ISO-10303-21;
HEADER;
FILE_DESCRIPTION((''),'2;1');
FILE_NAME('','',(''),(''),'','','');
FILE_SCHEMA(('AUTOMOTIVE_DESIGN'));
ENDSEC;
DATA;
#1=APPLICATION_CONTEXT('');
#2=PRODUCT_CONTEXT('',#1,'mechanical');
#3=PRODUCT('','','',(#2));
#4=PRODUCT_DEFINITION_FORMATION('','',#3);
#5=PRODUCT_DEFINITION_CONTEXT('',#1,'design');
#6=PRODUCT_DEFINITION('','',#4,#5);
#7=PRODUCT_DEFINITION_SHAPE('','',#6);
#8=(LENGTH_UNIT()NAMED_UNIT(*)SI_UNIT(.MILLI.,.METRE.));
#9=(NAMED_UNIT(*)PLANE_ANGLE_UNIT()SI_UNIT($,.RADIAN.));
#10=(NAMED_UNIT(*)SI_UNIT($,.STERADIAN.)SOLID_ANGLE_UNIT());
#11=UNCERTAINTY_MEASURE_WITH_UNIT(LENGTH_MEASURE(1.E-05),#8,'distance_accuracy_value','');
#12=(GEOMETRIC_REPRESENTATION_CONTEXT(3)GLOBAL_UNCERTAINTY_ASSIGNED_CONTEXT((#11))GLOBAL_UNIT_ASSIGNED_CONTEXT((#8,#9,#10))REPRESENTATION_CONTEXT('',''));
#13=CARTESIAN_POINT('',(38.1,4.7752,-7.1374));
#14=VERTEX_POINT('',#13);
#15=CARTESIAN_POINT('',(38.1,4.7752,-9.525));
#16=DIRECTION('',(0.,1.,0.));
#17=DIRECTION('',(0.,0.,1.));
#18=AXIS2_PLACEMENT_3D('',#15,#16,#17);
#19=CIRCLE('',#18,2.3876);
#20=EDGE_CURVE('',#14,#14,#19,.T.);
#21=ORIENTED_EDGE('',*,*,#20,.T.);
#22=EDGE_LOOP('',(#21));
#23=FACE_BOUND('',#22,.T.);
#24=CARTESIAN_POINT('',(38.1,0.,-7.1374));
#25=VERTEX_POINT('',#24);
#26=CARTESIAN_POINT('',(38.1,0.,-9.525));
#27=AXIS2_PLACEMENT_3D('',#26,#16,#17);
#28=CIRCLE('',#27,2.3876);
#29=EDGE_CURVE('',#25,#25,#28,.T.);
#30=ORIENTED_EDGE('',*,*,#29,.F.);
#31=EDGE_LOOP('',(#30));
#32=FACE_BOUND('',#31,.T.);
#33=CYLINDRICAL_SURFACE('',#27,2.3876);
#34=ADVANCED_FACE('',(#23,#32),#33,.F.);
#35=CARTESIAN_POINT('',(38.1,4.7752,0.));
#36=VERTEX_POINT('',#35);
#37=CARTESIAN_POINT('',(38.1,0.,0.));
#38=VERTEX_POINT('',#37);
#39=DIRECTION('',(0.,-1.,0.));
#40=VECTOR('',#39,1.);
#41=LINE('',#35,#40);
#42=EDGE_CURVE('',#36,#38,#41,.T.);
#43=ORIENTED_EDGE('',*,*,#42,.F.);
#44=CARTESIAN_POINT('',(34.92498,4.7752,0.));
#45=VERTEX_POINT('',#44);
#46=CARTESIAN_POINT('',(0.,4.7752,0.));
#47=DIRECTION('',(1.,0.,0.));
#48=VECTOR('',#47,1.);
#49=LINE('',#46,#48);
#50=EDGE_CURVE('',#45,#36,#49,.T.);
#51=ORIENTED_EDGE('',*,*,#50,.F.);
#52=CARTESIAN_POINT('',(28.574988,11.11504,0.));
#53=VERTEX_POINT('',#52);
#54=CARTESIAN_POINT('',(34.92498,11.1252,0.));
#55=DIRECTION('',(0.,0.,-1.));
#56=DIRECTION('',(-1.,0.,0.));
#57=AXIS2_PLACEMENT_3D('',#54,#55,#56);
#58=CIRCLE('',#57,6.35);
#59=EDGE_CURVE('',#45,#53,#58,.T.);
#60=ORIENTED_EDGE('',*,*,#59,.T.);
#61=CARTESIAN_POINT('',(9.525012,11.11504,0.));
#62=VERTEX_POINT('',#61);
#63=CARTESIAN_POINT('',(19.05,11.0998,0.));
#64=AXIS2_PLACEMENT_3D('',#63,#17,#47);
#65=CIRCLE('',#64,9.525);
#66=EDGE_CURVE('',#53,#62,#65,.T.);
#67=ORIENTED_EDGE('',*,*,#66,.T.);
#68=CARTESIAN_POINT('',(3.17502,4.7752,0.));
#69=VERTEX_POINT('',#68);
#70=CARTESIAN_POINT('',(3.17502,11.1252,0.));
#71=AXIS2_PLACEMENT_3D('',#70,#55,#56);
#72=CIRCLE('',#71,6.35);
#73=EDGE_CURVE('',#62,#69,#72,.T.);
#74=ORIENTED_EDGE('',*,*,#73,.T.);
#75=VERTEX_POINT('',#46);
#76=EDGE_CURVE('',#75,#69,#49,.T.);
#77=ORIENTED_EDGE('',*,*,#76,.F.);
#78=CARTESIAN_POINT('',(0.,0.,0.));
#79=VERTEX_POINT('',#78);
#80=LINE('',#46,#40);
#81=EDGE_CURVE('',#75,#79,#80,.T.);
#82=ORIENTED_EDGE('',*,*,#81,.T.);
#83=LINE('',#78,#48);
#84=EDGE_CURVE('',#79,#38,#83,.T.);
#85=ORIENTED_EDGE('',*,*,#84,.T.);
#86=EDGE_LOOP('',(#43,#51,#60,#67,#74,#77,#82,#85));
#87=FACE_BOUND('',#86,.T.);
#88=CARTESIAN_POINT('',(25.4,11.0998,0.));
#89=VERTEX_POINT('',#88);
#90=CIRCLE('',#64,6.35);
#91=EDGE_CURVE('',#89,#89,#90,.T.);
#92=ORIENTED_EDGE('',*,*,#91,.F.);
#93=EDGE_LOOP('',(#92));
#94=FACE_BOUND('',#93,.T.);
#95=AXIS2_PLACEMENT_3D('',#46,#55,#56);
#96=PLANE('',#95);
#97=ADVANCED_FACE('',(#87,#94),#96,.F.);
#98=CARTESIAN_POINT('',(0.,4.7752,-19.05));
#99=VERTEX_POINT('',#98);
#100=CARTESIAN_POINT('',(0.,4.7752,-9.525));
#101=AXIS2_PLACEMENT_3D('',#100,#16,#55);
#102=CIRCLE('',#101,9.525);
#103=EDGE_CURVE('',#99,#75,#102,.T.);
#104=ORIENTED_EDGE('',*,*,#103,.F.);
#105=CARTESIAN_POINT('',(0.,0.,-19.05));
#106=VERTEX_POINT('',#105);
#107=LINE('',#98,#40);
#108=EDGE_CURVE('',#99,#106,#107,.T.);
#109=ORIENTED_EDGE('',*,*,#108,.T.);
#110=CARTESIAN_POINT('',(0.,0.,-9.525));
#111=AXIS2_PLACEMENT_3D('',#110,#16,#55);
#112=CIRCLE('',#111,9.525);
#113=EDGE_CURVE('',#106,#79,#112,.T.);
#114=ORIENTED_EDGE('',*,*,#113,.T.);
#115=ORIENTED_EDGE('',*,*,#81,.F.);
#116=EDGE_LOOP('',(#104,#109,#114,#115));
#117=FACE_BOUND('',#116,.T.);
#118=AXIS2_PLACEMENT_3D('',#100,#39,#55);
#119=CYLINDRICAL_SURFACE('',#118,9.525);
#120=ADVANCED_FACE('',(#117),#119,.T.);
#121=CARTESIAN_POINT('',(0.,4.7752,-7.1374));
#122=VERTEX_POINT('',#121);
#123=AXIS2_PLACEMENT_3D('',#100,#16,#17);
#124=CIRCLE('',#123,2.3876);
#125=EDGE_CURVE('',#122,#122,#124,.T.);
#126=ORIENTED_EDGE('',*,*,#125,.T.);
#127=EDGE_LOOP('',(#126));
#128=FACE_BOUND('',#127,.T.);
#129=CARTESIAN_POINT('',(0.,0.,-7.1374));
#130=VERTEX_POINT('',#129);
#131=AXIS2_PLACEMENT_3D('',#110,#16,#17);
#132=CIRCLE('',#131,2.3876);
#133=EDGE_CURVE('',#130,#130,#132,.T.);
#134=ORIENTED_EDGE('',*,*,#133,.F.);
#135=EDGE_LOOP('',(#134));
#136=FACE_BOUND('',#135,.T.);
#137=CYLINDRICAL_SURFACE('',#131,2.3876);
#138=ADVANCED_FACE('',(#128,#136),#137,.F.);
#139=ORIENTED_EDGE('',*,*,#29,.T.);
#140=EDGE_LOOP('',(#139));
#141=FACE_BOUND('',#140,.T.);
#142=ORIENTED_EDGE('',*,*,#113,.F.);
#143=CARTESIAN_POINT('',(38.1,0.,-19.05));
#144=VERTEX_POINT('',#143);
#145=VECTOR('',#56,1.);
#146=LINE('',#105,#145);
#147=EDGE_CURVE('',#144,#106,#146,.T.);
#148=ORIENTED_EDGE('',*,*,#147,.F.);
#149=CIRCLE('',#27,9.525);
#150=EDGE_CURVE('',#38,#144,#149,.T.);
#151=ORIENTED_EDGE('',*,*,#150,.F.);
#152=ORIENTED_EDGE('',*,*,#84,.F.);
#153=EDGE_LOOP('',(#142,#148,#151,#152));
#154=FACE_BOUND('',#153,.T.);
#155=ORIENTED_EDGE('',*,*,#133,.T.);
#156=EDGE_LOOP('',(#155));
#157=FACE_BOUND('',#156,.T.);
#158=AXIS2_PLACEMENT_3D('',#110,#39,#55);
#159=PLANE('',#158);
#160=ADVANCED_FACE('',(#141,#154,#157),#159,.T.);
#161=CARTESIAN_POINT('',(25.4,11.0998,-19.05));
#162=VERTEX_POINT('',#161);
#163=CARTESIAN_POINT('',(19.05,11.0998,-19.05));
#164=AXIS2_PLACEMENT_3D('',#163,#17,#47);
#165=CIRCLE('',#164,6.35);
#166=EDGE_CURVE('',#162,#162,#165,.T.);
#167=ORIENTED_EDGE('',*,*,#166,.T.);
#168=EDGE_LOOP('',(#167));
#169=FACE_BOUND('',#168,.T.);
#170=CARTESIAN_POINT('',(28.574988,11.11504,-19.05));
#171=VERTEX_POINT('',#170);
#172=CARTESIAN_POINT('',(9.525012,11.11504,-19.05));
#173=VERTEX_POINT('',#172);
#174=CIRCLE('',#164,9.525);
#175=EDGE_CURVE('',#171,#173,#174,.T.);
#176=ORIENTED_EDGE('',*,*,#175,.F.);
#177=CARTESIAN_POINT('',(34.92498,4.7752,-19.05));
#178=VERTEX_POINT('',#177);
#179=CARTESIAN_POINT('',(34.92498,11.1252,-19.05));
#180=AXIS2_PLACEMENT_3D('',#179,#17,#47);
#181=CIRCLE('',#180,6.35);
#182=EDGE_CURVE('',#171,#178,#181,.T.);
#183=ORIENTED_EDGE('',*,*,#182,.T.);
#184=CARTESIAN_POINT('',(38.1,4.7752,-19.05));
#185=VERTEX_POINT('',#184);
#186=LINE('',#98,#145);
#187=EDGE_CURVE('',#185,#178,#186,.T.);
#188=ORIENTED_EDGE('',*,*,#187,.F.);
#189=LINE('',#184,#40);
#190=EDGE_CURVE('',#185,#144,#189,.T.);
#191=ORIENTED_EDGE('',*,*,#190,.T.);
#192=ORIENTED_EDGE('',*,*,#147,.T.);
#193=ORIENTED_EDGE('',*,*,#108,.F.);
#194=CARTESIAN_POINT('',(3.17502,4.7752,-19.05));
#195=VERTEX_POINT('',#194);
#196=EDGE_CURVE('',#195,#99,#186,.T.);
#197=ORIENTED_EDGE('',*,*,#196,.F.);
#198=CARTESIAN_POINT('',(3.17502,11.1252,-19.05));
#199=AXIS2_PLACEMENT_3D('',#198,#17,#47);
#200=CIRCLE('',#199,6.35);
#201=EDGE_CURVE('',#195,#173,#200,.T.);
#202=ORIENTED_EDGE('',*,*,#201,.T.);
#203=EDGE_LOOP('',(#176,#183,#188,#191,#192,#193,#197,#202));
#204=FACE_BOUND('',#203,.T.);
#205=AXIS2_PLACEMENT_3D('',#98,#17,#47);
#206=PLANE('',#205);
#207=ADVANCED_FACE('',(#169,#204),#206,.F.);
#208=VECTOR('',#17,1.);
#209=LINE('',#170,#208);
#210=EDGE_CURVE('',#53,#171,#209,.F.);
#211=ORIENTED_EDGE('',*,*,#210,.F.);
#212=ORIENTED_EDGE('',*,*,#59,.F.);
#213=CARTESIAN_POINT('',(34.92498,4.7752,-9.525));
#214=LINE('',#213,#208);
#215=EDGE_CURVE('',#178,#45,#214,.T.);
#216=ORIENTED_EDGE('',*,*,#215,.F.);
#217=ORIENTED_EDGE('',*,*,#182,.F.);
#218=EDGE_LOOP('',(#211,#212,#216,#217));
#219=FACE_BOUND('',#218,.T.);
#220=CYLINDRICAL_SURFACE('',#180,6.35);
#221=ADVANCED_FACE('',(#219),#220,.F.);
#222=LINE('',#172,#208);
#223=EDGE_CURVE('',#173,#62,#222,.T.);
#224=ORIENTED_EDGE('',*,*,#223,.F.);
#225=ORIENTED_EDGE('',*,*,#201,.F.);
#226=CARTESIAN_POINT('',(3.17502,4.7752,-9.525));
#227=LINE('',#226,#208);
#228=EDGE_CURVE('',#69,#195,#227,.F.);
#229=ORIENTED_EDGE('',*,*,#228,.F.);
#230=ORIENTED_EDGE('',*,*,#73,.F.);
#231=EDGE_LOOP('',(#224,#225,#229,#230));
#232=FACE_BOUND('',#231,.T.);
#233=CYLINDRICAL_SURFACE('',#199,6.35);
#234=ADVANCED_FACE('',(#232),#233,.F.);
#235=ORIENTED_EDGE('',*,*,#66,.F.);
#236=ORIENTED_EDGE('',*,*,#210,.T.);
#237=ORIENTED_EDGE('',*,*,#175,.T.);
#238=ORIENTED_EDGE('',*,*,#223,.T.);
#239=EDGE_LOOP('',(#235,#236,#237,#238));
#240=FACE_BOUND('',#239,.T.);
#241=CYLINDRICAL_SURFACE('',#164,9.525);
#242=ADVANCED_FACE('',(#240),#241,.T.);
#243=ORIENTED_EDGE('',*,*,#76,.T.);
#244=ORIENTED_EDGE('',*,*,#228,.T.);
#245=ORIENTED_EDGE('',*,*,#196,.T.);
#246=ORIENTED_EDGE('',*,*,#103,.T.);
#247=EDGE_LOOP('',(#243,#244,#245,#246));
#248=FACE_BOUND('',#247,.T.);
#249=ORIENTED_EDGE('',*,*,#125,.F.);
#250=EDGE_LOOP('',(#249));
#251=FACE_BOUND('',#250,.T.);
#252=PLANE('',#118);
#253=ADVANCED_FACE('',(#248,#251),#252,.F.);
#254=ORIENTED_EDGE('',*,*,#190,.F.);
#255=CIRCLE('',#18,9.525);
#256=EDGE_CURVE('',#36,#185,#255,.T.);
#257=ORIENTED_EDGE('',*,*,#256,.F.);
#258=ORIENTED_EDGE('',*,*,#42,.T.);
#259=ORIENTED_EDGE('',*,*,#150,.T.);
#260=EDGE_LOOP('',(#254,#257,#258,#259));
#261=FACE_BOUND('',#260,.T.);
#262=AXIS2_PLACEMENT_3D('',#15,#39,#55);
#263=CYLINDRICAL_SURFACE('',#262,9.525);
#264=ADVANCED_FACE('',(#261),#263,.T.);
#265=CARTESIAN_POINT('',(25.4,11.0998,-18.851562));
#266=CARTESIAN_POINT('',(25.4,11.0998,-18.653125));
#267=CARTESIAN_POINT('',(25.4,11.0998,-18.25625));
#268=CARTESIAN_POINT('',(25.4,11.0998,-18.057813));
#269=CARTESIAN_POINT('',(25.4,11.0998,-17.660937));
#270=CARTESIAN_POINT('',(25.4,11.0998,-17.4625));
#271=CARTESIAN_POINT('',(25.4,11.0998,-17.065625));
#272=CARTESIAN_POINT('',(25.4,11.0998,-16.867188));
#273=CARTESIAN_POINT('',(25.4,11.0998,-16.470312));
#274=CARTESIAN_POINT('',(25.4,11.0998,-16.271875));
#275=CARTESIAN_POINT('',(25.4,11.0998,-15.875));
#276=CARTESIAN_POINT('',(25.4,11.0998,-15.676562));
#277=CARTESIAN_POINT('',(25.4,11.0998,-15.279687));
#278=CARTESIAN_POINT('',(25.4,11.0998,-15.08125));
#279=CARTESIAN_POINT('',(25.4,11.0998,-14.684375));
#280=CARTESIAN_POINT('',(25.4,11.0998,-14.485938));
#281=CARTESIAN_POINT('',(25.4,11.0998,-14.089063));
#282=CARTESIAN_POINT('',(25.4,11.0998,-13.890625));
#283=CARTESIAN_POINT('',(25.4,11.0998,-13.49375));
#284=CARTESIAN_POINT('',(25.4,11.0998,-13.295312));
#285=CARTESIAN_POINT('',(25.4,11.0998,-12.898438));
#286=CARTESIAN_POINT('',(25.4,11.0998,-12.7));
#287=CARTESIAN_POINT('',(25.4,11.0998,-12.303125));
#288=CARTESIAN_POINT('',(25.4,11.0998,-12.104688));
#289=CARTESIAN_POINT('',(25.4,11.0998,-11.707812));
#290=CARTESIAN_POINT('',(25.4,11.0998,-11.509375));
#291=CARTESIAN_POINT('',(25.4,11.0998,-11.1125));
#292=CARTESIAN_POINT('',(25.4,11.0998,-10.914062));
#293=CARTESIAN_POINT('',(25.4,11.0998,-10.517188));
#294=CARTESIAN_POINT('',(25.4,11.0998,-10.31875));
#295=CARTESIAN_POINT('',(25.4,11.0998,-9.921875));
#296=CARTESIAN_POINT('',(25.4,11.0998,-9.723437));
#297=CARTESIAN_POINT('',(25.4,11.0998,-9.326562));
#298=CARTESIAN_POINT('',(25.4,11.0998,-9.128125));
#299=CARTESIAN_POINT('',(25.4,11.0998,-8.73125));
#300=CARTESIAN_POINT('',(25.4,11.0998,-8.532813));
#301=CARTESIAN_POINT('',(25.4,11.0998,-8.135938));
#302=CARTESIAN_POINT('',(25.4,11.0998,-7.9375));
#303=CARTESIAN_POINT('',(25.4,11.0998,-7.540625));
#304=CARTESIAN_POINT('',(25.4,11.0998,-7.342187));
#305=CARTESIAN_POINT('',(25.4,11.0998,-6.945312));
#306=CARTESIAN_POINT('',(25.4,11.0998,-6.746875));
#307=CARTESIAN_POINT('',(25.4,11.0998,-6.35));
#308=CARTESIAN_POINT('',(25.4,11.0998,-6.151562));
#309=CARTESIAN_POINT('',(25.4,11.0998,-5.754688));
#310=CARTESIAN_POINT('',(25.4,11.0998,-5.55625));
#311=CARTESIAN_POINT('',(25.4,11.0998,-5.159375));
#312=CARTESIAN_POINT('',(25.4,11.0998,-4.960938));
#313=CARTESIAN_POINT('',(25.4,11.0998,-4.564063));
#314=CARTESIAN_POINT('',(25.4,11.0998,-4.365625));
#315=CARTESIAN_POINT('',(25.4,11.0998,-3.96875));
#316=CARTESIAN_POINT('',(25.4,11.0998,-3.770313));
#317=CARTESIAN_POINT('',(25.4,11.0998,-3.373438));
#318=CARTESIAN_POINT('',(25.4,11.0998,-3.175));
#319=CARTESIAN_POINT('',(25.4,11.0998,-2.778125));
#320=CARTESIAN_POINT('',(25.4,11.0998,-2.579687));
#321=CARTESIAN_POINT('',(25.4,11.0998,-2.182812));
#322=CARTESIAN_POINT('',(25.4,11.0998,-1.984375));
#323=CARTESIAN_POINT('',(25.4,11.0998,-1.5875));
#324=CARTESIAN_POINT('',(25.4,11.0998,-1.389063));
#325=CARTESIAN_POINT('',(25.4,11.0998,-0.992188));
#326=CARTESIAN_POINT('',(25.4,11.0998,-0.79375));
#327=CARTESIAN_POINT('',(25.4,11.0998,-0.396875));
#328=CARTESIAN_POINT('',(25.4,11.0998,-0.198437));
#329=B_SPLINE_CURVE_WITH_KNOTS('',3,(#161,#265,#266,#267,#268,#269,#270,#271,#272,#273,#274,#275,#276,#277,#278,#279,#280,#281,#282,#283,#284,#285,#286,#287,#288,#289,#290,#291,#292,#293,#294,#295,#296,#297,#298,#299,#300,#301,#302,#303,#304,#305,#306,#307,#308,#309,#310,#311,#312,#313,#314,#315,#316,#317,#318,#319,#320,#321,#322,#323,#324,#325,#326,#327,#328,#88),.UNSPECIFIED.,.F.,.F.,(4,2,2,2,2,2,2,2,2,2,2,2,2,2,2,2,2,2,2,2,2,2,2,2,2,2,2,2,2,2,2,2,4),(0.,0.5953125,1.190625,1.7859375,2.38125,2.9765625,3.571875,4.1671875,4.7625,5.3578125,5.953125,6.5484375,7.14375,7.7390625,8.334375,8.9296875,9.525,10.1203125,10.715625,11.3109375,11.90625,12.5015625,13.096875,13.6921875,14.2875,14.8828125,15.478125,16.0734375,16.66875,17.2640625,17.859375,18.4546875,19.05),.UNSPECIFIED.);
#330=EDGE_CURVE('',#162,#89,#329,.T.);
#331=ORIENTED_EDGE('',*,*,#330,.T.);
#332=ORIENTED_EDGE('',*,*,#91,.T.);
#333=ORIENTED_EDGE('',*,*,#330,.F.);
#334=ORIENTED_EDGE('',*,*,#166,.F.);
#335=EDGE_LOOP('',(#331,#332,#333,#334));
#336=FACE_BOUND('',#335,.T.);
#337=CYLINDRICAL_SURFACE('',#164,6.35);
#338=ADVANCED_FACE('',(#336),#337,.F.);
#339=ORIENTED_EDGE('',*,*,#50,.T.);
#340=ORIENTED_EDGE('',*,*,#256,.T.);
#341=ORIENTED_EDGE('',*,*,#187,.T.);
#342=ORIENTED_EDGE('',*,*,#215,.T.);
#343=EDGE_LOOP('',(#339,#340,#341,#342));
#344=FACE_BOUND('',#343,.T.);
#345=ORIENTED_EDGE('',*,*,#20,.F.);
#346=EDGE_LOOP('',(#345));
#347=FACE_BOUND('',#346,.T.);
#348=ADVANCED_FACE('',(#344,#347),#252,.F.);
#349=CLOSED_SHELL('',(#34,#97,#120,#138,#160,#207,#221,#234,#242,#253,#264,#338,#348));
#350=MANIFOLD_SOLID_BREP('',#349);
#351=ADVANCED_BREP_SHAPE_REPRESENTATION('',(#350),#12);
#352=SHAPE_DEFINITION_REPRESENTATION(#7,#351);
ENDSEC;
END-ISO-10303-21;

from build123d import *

# Parameters (mm, degrees)
BOSS_EXTRUDE1_DEPTH = 4.7752
SKETCH3_R           = 2.3876
CUT_EXTRUDE1_DEPTH  = 52.515489516
SKETCH4_W           = 19.05
SKETCH4_H           = 19.05
BOSS_EXTRUDE2_DEPTH = 15.8496
SKETCH5_R           = 6.35
CUT_EXTRUDE3_DEPTH  = 56.284948223
FILLET1_R           = 6.35
FILLET2_R           = 6.35


with BuildPart() as part:
    # Sketch1 → Boss-Extrude1 (new body)
    with BuildSketch(Plane(origin=(0, 0, 0), x_dir=(1, 0, 0), z_dir=(0, 1, 0))):
        with BuildLine():
            Line((0, 19.05), (38.1, 19.05))
            ThreePointArc((38.1, 19.05), (47.625, 9.525), (38.1, 0))
            Line((38.1, 0), (0, 0))
            ThreePointArc((0, 0), (-9.525, 9.525), (0, 19.05))
        make_face()
    extrude(amount=BOSS_EXTRUDE1_DEPTH)

    # Sketch3 → Cut-Extrude1 (cut, through all)
    with BuildSketch(Plane(origin=(0, 4.7752, 0), x_dir=(1, 0, 0), z_dir=(0, 1, 0))):
        with Locations(Location((38.1, 9.525, 0), (0, 0, 270))):
            Circle(SKETCH3_R)
        with Locations(Location((0, 9.525, 0), (0, 0, 270))):
            Circle(SKETCH3_R)
    extrude(amount=-CUT_EXTRUDE1_DEPTH, mode=Mode.SUBTRACT)

    # Sketch4 → Boss-Extrude2 (add)
    with BuildSketch(Plane(origin=(0, 4.7752, 0), x_dir=(1, 0, 0), z_dir=(0, 1, 0))):
        with Locations((19.05, 9.525)):
            Rectangle(SKETCH4_W, SKETCH4_H)
    extrude(amount=BOSS_EXTRUDE2_DEPTH)

    # Sketch5 → Cut-Extrude3 (cut, through all)
    with BuildSketch(Plane.XY):
        with BuildLine():
            ThreePointArc((19.05, 20.6248), (25.785192091, 17.834992091), (28.575, 11.0998))
            Line((28.575, 11.0998), (28.575, 20.6248))
            Line((28.575, 20.6248), (19.05, 20.6248))
        make_face()
        with BuildLine():
            ThreePointArc((9.525, 11.0998), (12.314807909, 17.834992091), (19.05, 20.6248))
            Line((19.05, 20.6248), (9.525, 20.6248))
            Line((9.525, 20.6248), (9.525, 11.0998))
        make_face()
        with Locations((19.05, 11.0998)):
            Circle(SKETCH5_R)
    extrude(amount=-CUT_EXTRUDE3_DEPTH, mode=Mode.SUBTRACT)

    # Fillet1
    fillet1_edges = [part.edges().sort_by_distance(p)[0] for p in [
        (28.575, 4.7752, -9.525),
    ]]
    fillet(fillet1_edges, radius=FILLET1_R)

    # Fillet2
    fillet2_edges = [part.edges().sort_by_distance(p)[0] for p in [
        (9.525, 4.7752, -9.525),
    ]]
    fillet(fillet2_edges, radius=FILLET2_R)


solid = part.part
